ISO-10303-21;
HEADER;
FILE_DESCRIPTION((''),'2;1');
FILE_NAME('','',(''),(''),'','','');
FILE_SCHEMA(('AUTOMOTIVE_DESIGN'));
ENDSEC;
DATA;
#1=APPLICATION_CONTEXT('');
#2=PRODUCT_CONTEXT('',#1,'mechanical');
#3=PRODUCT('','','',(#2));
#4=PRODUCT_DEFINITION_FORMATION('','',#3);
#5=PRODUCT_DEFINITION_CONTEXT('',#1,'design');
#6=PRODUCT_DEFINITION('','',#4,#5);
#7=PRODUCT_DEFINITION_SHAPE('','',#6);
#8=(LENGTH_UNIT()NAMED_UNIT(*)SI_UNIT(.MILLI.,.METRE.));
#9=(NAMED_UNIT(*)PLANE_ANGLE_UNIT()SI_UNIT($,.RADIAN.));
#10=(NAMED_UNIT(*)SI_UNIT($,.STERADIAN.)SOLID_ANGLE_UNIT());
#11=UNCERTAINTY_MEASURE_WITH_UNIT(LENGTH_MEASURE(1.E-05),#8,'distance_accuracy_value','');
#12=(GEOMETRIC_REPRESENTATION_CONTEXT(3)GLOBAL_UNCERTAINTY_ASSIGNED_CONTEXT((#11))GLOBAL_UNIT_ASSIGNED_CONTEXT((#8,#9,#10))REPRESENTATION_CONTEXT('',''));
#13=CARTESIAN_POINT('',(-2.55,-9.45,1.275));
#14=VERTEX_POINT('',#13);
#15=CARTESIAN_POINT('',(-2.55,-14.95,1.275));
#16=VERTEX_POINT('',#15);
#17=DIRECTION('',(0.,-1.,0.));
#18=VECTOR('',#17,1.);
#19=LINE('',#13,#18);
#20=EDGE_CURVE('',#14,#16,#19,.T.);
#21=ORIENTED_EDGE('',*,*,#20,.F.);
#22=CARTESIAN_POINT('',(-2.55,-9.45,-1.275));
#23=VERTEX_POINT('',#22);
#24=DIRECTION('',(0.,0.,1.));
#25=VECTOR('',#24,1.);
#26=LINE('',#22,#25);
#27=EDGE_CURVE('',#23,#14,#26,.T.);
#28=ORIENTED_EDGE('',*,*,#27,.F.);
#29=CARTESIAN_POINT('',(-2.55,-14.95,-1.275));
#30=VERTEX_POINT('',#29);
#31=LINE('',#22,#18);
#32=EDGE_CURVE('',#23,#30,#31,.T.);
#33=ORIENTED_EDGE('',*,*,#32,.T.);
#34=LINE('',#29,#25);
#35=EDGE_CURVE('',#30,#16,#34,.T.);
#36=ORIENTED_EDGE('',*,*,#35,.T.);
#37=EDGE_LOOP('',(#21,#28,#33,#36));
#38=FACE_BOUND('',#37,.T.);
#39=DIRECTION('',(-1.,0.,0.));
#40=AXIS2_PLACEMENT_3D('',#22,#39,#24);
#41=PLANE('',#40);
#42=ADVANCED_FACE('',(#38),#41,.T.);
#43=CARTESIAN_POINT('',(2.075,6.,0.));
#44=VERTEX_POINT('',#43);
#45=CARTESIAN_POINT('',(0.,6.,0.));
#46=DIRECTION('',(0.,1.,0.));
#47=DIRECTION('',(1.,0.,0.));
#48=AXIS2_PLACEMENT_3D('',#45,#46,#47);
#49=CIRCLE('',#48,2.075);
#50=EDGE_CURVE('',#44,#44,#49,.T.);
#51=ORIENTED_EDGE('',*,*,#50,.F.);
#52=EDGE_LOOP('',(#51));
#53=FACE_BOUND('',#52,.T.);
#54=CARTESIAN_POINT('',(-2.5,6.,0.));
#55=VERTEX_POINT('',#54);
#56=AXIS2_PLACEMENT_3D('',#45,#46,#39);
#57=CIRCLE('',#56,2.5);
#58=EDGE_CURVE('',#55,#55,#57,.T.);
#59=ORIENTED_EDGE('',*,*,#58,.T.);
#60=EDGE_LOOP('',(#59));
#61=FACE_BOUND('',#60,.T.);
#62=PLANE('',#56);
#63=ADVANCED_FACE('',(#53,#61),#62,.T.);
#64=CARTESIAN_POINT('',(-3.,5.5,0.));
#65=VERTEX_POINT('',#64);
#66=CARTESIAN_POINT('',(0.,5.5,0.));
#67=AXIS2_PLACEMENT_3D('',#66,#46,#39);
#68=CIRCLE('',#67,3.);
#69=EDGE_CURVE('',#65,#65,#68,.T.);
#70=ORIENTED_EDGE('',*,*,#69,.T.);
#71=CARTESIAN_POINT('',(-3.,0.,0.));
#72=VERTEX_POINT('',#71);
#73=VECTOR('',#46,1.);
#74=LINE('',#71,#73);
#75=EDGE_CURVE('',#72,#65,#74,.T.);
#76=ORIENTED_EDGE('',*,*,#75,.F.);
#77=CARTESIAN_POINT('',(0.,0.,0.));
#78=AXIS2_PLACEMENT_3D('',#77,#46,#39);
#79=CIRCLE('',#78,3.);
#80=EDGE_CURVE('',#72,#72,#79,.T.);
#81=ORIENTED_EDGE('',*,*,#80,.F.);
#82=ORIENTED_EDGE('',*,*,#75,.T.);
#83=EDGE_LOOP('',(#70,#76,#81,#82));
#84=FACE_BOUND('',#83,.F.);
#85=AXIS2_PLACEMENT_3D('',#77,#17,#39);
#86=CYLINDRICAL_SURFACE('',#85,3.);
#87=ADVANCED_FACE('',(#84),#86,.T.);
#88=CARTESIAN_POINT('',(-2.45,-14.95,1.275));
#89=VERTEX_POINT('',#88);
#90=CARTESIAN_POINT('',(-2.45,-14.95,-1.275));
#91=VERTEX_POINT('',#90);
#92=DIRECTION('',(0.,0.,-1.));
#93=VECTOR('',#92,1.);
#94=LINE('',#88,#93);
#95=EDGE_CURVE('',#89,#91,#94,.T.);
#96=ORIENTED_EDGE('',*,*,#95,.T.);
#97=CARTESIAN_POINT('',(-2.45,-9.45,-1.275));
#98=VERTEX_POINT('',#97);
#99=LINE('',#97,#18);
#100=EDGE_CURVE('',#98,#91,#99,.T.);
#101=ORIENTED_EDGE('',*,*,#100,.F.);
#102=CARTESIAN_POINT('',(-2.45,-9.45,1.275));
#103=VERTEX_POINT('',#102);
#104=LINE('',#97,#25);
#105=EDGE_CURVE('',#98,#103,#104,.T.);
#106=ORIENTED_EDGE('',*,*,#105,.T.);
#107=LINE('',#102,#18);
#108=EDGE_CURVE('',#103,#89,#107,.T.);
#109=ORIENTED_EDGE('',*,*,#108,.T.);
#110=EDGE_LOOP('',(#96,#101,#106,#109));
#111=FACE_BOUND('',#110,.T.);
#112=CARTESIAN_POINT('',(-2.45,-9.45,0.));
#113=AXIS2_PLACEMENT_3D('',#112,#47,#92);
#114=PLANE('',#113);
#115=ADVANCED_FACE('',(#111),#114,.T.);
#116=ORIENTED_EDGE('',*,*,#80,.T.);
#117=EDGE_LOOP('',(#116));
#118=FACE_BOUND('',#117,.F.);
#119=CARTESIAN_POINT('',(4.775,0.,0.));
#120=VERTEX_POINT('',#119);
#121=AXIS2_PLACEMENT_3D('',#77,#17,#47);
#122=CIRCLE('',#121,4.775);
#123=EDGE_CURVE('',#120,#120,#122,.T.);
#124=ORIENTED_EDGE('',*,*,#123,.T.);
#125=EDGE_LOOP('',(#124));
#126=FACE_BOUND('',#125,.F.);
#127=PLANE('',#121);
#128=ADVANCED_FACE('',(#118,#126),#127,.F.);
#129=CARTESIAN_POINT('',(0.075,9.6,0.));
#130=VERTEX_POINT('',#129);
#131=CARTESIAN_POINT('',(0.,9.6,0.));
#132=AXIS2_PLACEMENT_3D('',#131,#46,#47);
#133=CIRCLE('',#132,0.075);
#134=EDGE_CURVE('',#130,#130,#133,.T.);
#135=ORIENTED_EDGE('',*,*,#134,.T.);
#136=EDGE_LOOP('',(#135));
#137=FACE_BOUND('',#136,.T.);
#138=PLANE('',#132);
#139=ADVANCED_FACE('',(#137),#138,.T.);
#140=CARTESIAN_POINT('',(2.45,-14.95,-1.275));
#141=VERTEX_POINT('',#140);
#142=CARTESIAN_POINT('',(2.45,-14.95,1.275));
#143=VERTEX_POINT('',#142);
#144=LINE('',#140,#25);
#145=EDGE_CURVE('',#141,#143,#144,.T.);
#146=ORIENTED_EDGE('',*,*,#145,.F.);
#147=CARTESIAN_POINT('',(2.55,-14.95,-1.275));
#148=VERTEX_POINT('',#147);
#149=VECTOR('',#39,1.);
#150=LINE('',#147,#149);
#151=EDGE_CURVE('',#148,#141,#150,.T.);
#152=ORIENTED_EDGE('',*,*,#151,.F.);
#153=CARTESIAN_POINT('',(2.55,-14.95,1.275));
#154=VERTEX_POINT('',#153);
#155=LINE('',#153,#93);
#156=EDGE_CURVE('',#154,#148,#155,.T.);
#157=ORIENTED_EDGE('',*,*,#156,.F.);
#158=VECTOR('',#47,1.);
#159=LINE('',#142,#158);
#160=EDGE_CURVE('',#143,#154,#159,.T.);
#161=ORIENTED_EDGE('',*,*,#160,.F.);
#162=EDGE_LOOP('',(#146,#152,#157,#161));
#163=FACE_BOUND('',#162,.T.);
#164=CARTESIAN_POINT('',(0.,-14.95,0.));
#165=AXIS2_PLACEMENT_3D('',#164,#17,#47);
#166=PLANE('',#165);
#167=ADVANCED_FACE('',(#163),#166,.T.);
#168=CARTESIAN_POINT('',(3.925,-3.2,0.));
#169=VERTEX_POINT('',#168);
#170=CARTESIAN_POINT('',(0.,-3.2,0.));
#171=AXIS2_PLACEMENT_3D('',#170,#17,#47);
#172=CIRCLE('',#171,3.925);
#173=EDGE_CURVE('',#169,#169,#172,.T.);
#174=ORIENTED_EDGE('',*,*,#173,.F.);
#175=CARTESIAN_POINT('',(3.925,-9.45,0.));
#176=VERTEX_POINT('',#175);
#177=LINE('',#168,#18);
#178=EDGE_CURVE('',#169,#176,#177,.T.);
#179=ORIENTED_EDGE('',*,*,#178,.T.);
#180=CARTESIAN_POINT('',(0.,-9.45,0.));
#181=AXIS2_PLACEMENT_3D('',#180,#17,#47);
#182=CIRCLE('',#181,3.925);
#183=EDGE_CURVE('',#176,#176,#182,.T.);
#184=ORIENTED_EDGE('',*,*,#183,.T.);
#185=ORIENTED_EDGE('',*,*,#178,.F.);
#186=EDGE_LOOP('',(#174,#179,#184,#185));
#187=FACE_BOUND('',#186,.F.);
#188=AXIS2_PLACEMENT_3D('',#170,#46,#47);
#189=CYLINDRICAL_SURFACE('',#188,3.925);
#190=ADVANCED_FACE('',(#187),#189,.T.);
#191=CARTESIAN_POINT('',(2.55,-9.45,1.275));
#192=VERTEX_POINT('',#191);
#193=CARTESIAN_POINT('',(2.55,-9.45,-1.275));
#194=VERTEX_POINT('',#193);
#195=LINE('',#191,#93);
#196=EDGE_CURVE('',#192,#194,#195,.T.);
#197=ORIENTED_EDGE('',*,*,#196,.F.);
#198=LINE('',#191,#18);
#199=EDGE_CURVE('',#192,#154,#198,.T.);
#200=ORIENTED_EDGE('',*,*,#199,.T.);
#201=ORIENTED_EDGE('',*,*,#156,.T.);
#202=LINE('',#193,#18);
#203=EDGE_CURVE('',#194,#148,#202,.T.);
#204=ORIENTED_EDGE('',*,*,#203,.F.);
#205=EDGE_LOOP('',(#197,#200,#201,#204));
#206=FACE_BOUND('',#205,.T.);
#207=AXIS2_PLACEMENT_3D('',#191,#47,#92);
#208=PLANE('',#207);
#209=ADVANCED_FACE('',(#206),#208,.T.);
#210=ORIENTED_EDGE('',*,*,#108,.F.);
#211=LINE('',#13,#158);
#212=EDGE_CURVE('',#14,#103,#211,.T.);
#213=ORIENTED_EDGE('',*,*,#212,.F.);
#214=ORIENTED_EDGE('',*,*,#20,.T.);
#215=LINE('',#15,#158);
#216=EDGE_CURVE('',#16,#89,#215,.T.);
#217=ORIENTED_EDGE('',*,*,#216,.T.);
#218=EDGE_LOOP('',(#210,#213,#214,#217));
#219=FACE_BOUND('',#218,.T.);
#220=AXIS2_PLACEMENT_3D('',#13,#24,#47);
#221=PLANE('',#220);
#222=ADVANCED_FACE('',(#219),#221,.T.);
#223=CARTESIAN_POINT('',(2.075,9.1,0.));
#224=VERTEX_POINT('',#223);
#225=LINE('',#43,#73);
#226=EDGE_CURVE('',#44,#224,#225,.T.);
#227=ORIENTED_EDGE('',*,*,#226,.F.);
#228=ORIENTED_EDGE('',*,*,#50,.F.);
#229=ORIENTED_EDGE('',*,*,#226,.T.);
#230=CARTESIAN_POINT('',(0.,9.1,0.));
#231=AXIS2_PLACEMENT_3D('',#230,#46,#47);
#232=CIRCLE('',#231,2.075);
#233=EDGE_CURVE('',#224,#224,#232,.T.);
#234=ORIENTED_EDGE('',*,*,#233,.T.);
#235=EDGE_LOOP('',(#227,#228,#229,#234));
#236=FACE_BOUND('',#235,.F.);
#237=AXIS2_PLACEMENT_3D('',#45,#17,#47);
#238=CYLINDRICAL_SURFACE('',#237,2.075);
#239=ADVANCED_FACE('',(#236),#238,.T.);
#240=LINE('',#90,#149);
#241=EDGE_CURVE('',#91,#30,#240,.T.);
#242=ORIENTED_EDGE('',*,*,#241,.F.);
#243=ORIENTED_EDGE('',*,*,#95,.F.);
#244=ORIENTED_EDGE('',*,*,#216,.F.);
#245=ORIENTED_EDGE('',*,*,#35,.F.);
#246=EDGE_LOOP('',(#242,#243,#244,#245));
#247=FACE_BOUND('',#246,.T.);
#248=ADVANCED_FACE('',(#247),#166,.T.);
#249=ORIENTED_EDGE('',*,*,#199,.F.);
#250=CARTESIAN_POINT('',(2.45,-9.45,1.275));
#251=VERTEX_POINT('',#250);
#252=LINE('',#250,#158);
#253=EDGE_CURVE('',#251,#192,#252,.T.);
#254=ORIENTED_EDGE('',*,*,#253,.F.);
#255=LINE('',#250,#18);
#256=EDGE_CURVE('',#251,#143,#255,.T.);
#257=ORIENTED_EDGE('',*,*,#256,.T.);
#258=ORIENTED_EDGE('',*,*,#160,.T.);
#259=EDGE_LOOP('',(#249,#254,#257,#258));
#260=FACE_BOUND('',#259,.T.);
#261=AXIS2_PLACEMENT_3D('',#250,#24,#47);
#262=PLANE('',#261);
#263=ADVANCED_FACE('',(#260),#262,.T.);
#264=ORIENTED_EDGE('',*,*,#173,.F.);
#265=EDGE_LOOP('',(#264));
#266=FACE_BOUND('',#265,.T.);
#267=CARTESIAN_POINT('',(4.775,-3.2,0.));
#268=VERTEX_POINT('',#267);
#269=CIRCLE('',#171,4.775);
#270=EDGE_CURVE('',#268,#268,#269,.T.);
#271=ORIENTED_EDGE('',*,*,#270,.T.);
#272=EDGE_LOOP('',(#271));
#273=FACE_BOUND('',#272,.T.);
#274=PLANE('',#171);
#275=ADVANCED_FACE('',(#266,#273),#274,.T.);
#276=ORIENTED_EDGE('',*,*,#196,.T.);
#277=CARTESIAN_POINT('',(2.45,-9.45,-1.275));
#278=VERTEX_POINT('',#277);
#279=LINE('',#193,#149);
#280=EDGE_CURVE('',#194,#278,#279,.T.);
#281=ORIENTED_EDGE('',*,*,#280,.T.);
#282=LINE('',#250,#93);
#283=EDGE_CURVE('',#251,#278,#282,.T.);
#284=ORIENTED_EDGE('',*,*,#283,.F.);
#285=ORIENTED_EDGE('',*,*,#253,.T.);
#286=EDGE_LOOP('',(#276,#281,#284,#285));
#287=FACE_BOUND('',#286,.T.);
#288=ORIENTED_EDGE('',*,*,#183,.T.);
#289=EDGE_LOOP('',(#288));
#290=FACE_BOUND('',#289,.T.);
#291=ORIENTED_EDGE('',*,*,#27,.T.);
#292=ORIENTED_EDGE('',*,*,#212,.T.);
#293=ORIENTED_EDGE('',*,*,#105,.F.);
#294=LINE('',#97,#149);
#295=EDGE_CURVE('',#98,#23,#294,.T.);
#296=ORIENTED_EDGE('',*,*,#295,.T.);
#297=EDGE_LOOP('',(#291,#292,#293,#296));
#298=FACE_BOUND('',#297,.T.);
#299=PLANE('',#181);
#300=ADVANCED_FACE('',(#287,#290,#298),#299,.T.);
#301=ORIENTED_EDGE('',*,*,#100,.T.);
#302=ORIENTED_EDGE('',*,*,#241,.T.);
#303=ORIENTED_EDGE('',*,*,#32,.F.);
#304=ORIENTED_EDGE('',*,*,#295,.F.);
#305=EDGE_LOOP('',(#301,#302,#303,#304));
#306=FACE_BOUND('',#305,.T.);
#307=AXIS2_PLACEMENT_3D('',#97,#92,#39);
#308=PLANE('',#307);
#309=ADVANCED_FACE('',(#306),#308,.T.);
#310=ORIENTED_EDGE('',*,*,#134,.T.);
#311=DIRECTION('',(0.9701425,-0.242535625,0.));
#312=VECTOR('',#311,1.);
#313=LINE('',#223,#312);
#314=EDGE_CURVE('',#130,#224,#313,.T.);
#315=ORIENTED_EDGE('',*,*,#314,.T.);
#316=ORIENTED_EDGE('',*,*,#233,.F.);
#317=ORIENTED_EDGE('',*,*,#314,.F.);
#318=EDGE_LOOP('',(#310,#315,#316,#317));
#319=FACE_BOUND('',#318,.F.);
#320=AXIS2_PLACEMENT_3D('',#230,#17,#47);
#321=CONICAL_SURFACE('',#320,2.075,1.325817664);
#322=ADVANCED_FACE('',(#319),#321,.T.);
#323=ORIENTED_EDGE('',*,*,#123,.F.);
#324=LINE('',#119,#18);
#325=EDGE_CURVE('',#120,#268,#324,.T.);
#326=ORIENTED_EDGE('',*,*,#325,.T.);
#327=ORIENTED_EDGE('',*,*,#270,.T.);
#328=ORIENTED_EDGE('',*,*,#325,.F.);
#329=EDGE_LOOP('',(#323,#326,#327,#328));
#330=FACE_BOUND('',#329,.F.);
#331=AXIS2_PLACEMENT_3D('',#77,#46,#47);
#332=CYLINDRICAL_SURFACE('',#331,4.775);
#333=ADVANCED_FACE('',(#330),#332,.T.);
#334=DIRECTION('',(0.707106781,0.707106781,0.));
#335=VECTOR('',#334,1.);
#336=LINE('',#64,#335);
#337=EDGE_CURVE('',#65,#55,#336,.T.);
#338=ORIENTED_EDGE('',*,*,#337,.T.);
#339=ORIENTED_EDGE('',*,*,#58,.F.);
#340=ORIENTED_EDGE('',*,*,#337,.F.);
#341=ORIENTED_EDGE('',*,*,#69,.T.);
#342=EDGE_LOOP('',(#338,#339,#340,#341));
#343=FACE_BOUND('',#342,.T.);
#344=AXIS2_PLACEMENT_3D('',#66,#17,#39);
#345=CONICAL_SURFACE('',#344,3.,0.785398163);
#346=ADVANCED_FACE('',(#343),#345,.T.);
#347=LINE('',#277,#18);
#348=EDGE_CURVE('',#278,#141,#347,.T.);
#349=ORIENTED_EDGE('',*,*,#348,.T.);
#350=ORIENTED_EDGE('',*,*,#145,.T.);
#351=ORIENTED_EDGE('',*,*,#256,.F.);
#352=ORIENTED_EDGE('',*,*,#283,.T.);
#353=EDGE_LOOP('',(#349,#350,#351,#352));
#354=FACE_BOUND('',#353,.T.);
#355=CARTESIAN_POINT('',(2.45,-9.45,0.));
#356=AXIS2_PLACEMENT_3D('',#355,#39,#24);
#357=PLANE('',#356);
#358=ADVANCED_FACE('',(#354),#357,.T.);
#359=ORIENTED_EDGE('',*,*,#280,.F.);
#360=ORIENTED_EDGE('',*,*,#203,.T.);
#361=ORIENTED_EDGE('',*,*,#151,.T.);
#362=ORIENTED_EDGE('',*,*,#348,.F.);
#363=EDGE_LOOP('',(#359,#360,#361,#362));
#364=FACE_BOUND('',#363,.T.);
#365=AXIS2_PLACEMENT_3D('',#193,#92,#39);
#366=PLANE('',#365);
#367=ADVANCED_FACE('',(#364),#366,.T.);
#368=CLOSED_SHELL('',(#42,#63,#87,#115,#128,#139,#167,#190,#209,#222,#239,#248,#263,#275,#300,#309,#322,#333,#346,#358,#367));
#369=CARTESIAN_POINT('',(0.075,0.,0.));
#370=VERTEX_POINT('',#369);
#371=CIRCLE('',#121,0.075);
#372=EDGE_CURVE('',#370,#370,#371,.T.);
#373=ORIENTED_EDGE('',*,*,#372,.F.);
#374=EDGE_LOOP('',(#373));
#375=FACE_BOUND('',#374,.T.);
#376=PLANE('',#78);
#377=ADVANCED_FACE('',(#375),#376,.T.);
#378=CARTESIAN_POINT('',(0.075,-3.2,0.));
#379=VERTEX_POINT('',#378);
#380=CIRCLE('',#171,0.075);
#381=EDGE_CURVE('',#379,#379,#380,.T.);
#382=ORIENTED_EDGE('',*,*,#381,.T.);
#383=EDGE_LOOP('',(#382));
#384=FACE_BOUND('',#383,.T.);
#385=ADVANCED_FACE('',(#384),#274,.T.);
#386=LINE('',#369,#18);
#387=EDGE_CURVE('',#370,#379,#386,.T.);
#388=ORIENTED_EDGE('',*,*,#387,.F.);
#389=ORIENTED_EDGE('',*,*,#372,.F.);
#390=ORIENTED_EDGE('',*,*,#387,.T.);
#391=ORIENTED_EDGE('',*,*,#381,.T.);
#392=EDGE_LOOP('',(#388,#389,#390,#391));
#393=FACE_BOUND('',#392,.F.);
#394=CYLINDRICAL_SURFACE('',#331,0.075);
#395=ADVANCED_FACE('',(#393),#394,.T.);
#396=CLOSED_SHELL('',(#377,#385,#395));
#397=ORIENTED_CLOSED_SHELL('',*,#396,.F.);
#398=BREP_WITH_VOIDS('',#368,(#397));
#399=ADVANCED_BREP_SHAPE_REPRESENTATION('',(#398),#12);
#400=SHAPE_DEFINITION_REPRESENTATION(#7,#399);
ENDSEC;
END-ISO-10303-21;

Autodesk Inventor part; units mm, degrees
ref_plane "YZ Plane" through (0, 0, 0) normal (1, 0, 0) x (0, 1, 0)
ref_plane "XZ Plane" through (0, 0, 0) normal (0, 1, 0) x (-1, 0, 0)
ref_plane "XY Plane" through (0, 0, 0) normal (0, 0, 1) x (1, 0, 0)
sketch "Boceto1" plane through (0, 0, 0) normal (0, 1, 0) x (-1, 0, 0)
  circle A0 centre (0, 0) radius 3
  dimension "d0" = 6
extrude "Extrusión1" add sketch "Boceto1" along normal blind 6
sketch "Boceto2" plane through (0, 6, 0) normal (0, 1, 0) x (1, 0, 0)
  circle A0 centre (0, 0) radius 2.075
  dimension "d3" = 4.15
extrude "Extrusión2" add sketch "Boceto2" along normal blind 3.6
chamfer "Chaflán1" distance 2 distance2 0.5 1 edges at (-2.075, 9.6, 0) measured on face at (0.6845, 9.6, -0.4587)
sketch "Boceto3" plane through (0, 0, 0) normal (0, -1, 0) x (1, 0, 0)
  circle A0 centre (0, 0) radius 0.075 projected
  circle A1 centre (0, 0) radius 4.775
  dimension "d9" = 9.55
extrude "Extrusión3" add sketch "Boceto3" along normal blind 3.2
sketch "Boceto4" plane through (0, -3.2, 0) normal (0, -1, 0) x (1, 0, 0)
  circle A0 centre (0, 0) radius 3.925
  dimension "d12" = 7.85
extrude "Extrusión4" add sketch "Boceto4" along normal blind 6.25
thread "Rosca1" size "M6x1" class "6g" standard "ANSI Metric M Profile" length 6.2
chamfer "Chaflán2" distance 0.5 angle 45 1 edges at (3, 6, 0)
sketch "Boceto5" plane through (0, -9.45, 0) normal (0, -1, 0) x (1, 0, 0)
  circle A0 centre (0, 0) radius 0.075 projected
  line L0 (0, 0) -> (2.5, 0)
  line L1 (0, 0) -> (-2.5, 0)
  line L2 (2.45, 1.275) -> (2.55, 1.275)
  line L3 (2.55, 1.275) -> (2.55, -1.275)
  line L4 (2.55, -1.275) -> (2.45, -1.275)
  line L5 (2.45, -1.275) -> (2.45, 1.275)
  line L6 (2.45, 1.275) -> (2.55, -1.275) construction
  line L7 (2.55, 1.275) -> (2.45, -1.275) construction
  line L8 (-2.55, 1.275) -> (-2.45, 1.275)
  line L9 (-2.45, 1.275) -> (-2.45, -1.275)
  line L10 (-2.45, -1.275) -> (-2.55, -1.275)
  line L11 (-2.55, -1.275) -> (-2.55, 1.275)
  line L12 (-2.55, 1.275) -> (-2.45, -1.275) construction
  line L13 (-2.45, 1.275) -> (-2.55, -1.275) construction
  dimension "d20" = 2.5
  dimension "d21" = 2.5
  dimension "d22" = 0.1
  dimension "d23" = 2.55
  dimension "d24" = 0.1
extrude "Extrusión5" add sketch "Boceto5" along normal blind 5.5 contours L9 L10 L11 L8 | L5 L2 L3 L4
properties part number "Interruptor_BlueRobotics"
